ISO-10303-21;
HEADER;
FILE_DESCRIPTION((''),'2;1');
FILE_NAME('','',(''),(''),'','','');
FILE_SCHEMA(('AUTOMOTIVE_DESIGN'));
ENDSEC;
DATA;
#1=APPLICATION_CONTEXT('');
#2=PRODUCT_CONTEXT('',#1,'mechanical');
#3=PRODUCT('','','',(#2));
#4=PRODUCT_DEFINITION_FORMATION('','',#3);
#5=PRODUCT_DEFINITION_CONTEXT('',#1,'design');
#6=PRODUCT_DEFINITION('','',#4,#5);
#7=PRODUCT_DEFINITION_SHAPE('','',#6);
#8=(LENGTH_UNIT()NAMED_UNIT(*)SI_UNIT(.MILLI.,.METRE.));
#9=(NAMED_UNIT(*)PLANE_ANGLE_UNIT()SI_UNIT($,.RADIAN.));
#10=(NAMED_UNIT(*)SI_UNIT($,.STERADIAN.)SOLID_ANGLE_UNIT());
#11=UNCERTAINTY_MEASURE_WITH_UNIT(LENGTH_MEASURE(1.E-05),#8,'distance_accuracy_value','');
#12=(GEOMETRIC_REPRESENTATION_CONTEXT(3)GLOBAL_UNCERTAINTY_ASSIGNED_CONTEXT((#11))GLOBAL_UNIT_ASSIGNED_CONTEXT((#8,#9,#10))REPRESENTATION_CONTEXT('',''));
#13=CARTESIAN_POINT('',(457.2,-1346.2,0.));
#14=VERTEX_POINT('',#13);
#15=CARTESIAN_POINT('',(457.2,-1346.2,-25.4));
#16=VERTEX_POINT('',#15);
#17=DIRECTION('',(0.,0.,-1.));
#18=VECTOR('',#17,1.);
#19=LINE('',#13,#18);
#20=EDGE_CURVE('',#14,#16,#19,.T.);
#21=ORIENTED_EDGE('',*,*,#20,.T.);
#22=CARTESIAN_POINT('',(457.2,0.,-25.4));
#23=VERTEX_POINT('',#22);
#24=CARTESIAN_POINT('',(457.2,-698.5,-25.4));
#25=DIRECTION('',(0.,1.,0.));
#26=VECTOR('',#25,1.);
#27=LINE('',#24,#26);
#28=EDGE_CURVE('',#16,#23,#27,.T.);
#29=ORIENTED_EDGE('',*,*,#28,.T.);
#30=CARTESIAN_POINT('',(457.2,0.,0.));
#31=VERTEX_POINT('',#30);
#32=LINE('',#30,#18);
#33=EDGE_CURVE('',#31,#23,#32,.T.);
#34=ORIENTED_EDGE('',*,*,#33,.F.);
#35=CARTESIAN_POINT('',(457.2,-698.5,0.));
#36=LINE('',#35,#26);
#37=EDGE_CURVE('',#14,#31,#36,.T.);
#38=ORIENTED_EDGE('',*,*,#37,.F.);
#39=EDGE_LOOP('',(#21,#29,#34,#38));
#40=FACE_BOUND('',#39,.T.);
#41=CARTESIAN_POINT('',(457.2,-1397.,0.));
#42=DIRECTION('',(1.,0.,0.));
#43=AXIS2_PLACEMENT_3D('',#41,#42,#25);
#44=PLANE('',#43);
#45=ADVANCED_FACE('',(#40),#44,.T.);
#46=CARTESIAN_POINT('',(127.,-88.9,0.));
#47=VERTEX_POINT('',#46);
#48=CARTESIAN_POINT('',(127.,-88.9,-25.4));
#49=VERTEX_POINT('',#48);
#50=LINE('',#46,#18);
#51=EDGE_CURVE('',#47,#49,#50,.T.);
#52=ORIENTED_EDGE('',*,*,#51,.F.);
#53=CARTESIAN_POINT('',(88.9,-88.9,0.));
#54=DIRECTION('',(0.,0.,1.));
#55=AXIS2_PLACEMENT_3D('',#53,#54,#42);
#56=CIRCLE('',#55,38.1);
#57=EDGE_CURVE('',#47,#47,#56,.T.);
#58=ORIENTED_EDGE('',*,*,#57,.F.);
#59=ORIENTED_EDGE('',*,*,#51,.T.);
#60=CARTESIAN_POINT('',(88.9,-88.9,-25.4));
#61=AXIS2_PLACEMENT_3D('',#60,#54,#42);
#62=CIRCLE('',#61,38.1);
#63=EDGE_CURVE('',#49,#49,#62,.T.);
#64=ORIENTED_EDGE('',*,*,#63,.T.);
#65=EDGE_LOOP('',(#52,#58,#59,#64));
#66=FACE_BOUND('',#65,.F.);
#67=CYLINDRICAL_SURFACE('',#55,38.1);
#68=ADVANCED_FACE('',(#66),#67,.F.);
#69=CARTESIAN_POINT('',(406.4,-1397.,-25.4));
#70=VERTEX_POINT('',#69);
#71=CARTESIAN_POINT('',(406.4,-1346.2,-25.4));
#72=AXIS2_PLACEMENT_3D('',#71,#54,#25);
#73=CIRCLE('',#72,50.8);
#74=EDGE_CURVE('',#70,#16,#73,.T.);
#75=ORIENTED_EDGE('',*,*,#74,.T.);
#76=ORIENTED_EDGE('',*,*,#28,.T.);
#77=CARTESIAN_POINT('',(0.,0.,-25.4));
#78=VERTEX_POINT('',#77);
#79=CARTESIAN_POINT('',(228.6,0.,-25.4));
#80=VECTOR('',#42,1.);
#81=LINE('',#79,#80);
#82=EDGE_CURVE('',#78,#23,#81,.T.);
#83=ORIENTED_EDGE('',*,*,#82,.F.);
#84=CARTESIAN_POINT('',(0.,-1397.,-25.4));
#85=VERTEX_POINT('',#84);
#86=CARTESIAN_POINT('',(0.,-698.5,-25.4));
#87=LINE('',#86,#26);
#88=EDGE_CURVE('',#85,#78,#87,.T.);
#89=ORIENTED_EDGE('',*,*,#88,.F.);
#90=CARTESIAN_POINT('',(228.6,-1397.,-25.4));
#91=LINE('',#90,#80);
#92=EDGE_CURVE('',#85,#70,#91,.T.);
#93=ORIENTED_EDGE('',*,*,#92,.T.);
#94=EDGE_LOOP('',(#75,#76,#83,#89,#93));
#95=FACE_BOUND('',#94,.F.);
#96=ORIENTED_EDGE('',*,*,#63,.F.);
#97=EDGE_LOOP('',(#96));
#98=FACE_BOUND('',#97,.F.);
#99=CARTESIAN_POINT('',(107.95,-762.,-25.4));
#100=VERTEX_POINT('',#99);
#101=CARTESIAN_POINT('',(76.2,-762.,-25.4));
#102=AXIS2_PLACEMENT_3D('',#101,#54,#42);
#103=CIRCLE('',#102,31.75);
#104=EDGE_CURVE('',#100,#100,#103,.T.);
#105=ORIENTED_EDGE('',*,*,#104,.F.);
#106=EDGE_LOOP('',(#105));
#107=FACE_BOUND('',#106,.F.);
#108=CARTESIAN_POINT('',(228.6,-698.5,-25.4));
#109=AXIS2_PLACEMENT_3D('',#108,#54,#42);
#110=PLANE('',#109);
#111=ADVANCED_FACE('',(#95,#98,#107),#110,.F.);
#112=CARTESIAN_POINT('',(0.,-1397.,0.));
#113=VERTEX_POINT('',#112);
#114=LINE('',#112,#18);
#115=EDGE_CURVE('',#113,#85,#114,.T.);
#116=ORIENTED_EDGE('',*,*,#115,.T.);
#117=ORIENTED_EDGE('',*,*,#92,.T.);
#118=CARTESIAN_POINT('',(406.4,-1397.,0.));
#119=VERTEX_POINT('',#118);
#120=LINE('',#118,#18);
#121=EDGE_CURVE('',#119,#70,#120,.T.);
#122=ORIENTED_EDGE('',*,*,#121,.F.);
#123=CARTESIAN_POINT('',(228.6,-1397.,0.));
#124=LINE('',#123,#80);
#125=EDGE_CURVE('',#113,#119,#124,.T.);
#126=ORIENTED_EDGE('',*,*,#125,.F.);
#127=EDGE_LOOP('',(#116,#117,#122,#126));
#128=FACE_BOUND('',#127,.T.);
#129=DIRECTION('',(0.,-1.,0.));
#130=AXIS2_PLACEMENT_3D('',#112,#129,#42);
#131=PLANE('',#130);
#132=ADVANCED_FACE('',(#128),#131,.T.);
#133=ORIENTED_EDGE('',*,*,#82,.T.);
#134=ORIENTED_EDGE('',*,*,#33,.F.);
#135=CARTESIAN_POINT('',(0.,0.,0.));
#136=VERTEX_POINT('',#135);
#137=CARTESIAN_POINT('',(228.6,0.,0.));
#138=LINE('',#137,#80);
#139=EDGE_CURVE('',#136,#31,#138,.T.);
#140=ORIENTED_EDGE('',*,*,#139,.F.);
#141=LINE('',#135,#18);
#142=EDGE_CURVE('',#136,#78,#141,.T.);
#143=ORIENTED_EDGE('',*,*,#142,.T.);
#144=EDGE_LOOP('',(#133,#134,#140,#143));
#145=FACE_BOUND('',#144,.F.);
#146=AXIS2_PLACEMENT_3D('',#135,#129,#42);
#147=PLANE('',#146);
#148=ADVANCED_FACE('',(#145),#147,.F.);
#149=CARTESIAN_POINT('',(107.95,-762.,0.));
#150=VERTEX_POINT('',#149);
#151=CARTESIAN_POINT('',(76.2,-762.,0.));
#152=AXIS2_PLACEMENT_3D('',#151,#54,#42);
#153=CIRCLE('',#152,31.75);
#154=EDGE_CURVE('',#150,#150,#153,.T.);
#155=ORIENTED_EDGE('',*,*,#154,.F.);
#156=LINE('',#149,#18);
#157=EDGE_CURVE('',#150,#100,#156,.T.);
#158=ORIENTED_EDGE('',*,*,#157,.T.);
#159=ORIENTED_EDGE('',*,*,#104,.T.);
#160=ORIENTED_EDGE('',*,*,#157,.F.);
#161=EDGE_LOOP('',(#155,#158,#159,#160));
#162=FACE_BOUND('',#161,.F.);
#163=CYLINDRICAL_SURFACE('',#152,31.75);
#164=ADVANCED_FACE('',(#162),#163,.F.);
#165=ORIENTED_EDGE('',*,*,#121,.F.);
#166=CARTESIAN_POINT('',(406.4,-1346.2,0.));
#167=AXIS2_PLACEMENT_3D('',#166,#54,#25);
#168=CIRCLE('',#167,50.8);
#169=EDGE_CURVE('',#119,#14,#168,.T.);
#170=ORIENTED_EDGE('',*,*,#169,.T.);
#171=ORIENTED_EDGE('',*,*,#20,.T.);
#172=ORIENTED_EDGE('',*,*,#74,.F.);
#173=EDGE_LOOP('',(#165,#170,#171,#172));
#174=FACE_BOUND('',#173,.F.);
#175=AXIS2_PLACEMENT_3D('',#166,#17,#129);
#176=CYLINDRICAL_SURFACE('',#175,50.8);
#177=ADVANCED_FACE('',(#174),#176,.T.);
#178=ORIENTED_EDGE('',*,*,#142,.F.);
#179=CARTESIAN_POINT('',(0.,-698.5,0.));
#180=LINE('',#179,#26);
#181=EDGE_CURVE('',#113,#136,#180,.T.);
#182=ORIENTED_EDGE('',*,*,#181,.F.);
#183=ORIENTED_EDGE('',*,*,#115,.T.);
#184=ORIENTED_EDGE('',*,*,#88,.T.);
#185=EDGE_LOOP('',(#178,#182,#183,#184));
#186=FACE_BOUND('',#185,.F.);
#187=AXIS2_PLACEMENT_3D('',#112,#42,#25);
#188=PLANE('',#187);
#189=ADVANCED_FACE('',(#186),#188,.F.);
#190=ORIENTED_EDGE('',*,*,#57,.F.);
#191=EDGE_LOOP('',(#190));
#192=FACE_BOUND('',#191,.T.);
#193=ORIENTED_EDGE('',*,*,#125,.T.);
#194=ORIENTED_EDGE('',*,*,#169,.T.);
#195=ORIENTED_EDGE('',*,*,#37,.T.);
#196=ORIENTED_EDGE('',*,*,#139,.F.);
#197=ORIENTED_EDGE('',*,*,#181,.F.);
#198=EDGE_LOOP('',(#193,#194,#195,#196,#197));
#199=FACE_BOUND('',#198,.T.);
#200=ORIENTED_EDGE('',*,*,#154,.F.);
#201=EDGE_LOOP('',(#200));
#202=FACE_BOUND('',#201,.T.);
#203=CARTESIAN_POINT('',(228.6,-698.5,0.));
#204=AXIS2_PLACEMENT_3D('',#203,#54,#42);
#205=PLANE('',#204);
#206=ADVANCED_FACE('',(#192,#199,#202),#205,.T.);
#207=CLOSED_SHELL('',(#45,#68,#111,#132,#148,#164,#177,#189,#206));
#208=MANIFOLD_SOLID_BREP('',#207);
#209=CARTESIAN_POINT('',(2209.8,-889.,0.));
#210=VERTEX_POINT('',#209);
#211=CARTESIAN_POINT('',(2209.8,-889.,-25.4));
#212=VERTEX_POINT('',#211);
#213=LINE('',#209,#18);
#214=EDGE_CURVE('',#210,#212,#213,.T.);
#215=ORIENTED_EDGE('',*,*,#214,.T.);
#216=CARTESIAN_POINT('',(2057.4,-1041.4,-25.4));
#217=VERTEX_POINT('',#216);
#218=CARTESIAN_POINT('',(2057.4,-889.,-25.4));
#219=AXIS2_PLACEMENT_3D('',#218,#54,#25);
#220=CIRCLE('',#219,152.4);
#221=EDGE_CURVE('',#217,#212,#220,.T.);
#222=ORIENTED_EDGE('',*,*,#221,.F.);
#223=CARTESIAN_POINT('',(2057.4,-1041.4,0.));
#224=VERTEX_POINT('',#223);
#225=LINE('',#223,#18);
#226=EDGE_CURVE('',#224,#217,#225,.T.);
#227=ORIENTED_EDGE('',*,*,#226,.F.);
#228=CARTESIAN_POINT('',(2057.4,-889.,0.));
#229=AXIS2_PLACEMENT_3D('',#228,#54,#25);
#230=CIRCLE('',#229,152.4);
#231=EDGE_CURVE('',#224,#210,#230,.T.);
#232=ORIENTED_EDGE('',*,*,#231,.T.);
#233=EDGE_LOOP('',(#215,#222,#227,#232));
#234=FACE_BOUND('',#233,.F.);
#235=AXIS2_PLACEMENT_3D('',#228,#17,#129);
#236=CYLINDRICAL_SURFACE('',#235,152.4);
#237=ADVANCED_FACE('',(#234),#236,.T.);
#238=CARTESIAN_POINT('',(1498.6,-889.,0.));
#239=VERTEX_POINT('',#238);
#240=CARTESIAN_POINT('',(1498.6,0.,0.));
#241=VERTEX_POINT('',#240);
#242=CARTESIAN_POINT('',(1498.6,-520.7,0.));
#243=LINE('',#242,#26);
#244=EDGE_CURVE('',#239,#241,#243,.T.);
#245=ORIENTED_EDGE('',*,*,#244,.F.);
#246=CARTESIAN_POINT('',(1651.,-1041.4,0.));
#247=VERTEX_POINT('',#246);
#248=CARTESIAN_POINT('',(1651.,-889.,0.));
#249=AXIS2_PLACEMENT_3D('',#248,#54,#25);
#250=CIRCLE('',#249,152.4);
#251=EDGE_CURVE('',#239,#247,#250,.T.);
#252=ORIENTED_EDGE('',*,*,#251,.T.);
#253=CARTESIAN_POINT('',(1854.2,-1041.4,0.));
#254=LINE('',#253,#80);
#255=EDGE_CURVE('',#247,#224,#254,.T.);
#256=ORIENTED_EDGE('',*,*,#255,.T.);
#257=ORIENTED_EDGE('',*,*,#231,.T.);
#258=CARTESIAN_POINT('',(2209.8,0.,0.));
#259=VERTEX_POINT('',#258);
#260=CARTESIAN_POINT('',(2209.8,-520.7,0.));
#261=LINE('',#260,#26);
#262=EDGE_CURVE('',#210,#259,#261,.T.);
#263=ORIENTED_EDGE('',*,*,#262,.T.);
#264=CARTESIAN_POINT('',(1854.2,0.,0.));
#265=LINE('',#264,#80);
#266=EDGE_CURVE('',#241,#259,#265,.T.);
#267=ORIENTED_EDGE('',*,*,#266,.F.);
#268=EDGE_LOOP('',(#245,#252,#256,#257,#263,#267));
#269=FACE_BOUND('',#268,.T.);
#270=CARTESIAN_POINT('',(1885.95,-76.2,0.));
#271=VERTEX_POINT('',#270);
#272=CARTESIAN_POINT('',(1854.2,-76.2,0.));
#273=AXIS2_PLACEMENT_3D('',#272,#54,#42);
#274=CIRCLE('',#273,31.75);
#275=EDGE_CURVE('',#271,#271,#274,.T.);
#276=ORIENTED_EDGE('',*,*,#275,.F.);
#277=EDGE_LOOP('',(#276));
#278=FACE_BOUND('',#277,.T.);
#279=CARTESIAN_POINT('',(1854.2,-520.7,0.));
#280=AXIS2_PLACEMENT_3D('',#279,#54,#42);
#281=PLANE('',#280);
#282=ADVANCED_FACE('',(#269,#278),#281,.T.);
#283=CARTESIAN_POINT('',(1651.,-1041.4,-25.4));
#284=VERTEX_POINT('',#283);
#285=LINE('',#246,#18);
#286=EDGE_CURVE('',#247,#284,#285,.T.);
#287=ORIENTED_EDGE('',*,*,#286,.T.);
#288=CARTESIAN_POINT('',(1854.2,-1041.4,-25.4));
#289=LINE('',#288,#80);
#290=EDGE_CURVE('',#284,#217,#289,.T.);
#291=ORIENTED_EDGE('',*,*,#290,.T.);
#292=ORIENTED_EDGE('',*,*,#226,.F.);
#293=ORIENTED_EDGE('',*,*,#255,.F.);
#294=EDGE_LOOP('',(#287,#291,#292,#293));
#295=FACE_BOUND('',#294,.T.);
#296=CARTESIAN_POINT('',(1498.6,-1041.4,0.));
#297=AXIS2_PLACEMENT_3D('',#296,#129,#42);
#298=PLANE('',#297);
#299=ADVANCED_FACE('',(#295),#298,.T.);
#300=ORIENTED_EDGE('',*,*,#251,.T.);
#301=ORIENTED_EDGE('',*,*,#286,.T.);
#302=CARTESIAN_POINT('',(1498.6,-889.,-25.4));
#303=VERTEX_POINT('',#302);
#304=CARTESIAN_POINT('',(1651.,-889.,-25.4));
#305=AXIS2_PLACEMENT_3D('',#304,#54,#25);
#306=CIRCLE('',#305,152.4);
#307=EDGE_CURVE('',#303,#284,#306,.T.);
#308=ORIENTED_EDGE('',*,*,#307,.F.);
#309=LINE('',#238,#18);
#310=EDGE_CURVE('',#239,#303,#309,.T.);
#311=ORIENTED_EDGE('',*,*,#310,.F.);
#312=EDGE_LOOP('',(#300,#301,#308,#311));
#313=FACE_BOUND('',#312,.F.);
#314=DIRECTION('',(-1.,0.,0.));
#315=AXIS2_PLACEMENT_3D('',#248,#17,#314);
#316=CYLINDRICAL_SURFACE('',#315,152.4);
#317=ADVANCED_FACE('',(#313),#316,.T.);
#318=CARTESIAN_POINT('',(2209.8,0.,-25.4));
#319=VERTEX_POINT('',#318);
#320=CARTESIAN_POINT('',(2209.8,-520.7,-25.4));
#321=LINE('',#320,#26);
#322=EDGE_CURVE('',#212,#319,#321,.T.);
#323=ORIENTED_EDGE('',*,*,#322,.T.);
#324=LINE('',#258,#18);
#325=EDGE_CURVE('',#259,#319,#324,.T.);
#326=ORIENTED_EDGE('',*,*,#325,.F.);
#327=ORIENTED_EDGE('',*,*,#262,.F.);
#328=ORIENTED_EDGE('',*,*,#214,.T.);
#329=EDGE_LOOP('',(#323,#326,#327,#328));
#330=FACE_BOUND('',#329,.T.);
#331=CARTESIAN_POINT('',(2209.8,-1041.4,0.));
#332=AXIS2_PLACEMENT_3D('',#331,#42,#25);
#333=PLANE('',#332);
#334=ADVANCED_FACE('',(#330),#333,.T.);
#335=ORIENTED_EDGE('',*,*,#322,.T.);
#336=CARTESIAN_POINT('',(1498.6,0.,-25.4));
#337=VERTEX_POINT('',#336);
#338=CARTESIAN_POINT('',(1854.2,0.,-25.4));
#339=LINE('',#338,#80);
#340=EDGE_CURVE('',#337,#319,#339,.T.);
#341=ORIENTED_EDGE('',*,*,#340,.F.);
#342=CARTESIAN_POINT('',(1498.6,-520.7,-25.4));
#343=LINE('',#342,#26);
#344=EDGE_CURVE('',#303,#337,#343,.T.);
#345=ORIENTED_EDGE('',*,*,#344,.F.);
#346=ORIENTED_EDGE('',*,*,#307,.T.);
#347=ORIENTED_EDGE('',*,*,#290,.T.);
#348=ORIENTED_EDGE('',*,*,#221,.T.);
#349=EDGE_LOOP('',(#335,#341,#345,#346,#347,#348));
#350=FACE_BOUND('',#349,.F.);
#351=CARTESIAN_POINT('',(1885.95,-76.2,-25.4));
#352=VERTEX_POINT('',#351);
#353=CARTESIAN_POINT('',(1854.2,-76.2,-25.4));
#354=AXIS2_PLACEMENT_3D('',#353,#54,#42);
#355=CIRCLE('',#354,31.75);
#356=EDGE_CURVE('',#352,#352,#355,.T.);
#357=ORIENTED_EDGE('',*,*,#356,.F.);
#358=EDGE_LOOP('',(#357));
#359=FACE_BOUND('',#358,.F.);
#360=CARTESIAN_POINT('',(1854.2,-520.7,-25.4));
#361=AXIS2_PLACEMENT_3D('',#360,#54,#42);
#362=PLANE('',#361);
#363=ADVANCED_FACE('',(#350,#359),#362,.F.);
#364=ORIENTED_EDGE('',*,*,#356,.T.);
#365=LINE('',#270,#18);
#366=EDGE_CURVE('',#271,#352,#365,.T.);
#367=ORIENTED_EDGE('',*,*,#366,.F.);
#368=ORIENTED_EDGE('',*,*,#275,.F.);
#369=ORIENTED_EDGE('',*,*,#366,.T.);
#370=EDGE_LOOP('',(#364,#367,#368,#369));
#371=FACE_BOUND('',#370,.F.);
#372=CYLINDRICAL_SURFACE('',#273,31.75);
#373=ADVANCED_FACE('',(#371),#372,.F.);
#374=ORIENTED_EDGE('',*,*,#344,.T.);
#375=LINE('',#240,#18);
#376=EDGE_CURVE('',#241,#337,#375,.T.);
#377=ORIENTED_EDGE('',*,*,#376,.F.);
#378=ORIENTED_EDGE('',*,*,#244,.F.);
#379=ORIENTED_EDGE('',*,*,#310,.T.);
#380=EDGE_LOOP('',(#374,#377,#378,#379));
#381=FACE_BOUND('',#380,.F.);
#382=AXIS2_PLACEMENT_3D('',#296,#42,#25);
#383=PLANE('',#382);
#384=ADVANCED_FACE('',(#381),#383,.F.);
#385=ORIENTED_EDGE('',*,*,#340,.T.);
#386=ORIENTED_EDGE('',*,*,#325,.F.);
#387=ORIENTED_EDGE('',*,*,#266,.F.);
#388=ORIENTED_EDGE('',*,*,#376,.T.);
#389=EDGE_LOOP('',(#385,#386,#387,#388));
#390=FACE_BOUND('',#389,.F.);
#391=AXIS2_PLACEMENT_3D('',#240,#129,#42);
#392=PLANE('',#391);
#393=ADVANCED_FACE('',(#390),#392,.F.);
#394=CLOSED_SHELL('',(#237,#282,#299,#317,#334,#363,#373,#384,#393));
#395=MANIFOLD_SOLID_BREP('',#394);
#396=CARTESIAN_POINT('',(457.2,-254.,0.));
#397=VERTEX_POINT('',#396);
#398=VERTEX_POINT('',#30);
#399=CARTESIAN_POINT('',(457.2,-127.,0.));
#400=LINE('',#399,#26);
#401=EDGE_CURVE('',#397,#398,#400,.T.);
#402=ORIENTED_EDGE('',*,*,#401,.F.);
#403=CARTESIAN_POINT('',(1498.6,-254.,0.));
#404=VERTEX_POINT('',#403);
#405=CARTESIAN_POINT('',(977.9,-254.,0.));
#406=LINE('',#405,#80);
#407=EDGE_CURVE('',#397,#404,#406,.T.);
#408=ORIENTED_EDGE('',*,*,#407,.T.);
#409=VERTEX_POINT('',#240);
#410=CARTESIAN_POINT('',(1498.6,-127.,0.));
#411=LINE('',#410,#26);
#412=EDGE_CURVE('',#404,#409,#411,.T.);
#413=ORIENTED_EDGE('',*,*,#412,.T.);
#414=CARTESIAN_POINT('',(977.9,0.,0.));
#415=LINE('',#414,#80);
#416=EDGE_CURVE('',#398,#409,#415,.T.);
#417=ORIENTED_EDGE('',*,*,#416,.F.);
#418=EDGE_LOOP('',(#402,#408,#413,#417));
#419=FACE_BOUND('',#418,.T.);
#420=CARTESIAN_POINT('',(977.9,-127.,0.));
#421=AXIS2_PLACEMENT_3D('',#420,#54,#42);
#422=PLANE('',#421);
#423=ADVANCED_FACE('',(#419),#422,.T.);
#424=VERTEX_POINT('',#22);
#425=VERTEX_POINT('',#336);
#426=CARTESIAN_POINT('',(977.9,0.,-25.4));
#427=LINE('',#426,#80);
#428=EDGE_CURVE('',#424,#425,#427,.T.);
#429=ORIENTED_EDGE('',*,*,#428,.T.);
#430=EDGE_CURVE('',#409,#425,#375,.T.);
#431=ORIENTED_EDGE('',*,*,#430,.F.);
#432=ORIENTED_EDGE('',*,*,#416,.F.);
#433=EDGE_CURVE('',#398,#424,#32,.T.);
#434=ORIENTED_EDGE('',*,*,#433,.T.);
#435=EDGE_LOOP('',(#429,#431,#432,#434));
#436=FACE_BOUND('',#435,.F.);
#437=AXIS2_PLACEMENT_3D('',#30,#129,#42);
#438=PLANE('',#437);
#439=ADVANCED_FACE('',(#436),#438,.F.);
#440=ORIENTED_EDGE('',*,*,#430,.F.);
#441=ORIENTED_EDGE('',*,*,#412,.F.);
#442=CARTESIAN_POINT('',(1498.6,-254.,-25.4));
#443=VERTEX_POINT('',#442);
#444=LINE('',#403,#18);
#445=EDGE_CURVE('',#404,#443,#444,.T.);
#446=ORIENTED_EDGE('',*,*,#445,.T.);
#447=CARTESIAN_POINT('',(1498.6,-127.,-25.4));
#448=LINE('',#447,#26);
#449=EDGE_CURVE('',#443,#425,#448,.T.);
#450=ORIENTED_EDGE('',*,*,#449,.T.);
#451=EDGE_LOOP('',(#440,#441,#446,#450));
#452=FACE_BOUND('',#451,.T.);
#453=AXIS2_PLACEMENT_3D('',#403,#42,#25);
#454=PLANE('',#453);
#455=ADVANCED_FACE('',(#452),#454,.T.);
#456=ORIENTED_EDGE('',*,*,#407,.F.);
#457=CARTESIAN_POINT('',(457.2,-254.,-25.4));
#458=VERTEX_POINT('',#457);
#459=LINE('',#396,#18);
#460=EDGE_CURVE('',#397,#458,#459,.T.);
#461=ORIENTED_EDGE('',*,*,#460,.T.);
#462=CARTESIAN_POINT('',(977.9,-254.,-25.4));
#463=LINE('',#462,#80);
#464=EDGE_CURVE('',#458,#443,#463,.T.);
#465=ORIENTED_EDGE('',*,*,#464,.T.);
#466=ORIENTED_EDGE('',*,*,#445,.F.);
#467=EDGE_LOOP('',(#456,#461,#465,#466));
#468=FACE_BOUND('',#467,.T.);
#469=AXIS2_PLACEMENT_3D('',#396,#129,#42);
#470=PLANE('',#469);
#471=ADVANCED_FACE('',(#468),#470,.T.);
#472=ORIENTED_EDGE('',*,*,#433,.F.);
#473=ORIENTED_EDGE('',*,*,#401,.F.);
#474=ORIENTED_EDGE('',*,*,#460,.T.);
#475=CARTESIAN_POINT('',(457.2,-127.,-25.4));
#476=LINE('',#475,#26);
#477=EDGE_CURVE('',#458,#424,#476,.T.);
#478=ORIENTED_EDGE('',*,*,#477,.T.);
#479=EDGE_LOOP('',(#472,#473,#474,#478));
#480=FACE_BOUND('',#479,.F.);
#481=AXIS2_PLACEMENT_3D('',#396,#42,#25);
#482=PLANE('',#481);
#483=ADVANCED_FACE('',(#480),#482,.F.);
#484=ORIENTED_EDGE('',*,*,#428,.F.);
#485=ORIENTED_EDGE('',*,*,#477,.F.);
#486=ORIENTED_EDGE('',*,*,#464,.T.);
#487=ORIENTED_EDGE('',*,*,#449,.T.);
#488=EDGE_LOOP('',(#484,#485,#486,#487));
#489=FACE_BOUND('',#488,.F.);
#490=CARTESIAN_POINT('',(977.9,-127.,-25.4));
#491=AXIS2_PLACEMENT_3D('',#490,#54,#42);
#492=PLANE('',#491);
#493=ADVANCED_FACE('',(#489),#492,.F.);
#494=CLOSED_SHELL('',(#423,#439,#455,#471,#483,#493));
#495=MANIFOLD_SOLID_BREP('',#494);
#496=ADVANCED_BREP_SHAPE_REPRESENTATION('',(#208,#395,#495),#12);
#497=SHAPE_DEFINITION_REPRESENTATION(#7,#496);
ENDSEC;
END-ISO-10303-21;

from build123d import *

# Parameters (mm, degrees)
F0_W     = 457.2
F0_H     = 1397
F1_DEPTH = 25.4
F2_W     = 1041.4
F2_H     = 254
F3_DEPTH = 25.4
F4_W     = 711.2
F4_H     = 1041.4
F5_DEPTH = 25.4
F6_R     = 50.8
F7_R     = 152.4
F8_R     = 38.1
F8_R_2   = 31.75
F9_DEPTH = 25.4


with BuildPart() as f1:
    # F0 (on Top) → F1 (new body)
    with BuildSketch(Plane.XY):
        with Locations((228.6, -698.5)):
            Rectangle(F0_W, F0_H)
    extrude(amount=-F1_DEPTH)

    # F6
    f6_edges = [f1.edges().sort_by_distance(p)[0] for p in [
        (457.2, -1397, -12.7),
    ]]
    fillet(f6_edges, radius=F6_R)


with BuildPart() as f3:
    # F2 (on Top) → F3 (new body)
    with BuildSketch(Plane.XY):
        with Locations((977.9, -127)):
            Rectangle(F2_W, F2_H)
    extrude(amount=-F3_DEPTH)


with BuildPart() as f5:
    # F4 (on Top) → F5 (new body)
    with BuildSketch(Plane.XY):
        with Locations((1854.2, -520.7)):
            Rectangle(F4_W, F4_H)
    extrude(amount=-F5_DEPTH)

    # F7
    f7_edges = [f5.edges().sort_by_distance(p)[0] for p in [
        (2209.8, -1041.4, -12.7),
        (1498.6, -1041.4, -12.7),
    ]]
    fillet(f7_edges, radius=F7_R)


with BuildPart() as f9_tool:
    # F8 (on face) → F9 (new body)
    with BuildSketch(Plane.XY):
        with Locations((88.9, -88.9)):
            Circle(F8_R)
        with Locations((1854.2, -76.2)):
            Circle(F8_R_2)
        with Locations((76.2, -762)):
            Circle(F8_R_2)
    extrude(amount=-F9_DEPTH)


with BuildPart() as f1_1:
    add(f1.part)

    # F9: cut by f9_tool
    add(f9_tool.part, mode=Mode.SUBTRACT)


with BuildPart() as f5_1:
    add(f5.part)

    # F9: cut by f9_tool
    add(f9_tool.part, mode=Mode.SUBTRACT)


solid = Compound([f3.part, f1_1.part, f5_1.part])
